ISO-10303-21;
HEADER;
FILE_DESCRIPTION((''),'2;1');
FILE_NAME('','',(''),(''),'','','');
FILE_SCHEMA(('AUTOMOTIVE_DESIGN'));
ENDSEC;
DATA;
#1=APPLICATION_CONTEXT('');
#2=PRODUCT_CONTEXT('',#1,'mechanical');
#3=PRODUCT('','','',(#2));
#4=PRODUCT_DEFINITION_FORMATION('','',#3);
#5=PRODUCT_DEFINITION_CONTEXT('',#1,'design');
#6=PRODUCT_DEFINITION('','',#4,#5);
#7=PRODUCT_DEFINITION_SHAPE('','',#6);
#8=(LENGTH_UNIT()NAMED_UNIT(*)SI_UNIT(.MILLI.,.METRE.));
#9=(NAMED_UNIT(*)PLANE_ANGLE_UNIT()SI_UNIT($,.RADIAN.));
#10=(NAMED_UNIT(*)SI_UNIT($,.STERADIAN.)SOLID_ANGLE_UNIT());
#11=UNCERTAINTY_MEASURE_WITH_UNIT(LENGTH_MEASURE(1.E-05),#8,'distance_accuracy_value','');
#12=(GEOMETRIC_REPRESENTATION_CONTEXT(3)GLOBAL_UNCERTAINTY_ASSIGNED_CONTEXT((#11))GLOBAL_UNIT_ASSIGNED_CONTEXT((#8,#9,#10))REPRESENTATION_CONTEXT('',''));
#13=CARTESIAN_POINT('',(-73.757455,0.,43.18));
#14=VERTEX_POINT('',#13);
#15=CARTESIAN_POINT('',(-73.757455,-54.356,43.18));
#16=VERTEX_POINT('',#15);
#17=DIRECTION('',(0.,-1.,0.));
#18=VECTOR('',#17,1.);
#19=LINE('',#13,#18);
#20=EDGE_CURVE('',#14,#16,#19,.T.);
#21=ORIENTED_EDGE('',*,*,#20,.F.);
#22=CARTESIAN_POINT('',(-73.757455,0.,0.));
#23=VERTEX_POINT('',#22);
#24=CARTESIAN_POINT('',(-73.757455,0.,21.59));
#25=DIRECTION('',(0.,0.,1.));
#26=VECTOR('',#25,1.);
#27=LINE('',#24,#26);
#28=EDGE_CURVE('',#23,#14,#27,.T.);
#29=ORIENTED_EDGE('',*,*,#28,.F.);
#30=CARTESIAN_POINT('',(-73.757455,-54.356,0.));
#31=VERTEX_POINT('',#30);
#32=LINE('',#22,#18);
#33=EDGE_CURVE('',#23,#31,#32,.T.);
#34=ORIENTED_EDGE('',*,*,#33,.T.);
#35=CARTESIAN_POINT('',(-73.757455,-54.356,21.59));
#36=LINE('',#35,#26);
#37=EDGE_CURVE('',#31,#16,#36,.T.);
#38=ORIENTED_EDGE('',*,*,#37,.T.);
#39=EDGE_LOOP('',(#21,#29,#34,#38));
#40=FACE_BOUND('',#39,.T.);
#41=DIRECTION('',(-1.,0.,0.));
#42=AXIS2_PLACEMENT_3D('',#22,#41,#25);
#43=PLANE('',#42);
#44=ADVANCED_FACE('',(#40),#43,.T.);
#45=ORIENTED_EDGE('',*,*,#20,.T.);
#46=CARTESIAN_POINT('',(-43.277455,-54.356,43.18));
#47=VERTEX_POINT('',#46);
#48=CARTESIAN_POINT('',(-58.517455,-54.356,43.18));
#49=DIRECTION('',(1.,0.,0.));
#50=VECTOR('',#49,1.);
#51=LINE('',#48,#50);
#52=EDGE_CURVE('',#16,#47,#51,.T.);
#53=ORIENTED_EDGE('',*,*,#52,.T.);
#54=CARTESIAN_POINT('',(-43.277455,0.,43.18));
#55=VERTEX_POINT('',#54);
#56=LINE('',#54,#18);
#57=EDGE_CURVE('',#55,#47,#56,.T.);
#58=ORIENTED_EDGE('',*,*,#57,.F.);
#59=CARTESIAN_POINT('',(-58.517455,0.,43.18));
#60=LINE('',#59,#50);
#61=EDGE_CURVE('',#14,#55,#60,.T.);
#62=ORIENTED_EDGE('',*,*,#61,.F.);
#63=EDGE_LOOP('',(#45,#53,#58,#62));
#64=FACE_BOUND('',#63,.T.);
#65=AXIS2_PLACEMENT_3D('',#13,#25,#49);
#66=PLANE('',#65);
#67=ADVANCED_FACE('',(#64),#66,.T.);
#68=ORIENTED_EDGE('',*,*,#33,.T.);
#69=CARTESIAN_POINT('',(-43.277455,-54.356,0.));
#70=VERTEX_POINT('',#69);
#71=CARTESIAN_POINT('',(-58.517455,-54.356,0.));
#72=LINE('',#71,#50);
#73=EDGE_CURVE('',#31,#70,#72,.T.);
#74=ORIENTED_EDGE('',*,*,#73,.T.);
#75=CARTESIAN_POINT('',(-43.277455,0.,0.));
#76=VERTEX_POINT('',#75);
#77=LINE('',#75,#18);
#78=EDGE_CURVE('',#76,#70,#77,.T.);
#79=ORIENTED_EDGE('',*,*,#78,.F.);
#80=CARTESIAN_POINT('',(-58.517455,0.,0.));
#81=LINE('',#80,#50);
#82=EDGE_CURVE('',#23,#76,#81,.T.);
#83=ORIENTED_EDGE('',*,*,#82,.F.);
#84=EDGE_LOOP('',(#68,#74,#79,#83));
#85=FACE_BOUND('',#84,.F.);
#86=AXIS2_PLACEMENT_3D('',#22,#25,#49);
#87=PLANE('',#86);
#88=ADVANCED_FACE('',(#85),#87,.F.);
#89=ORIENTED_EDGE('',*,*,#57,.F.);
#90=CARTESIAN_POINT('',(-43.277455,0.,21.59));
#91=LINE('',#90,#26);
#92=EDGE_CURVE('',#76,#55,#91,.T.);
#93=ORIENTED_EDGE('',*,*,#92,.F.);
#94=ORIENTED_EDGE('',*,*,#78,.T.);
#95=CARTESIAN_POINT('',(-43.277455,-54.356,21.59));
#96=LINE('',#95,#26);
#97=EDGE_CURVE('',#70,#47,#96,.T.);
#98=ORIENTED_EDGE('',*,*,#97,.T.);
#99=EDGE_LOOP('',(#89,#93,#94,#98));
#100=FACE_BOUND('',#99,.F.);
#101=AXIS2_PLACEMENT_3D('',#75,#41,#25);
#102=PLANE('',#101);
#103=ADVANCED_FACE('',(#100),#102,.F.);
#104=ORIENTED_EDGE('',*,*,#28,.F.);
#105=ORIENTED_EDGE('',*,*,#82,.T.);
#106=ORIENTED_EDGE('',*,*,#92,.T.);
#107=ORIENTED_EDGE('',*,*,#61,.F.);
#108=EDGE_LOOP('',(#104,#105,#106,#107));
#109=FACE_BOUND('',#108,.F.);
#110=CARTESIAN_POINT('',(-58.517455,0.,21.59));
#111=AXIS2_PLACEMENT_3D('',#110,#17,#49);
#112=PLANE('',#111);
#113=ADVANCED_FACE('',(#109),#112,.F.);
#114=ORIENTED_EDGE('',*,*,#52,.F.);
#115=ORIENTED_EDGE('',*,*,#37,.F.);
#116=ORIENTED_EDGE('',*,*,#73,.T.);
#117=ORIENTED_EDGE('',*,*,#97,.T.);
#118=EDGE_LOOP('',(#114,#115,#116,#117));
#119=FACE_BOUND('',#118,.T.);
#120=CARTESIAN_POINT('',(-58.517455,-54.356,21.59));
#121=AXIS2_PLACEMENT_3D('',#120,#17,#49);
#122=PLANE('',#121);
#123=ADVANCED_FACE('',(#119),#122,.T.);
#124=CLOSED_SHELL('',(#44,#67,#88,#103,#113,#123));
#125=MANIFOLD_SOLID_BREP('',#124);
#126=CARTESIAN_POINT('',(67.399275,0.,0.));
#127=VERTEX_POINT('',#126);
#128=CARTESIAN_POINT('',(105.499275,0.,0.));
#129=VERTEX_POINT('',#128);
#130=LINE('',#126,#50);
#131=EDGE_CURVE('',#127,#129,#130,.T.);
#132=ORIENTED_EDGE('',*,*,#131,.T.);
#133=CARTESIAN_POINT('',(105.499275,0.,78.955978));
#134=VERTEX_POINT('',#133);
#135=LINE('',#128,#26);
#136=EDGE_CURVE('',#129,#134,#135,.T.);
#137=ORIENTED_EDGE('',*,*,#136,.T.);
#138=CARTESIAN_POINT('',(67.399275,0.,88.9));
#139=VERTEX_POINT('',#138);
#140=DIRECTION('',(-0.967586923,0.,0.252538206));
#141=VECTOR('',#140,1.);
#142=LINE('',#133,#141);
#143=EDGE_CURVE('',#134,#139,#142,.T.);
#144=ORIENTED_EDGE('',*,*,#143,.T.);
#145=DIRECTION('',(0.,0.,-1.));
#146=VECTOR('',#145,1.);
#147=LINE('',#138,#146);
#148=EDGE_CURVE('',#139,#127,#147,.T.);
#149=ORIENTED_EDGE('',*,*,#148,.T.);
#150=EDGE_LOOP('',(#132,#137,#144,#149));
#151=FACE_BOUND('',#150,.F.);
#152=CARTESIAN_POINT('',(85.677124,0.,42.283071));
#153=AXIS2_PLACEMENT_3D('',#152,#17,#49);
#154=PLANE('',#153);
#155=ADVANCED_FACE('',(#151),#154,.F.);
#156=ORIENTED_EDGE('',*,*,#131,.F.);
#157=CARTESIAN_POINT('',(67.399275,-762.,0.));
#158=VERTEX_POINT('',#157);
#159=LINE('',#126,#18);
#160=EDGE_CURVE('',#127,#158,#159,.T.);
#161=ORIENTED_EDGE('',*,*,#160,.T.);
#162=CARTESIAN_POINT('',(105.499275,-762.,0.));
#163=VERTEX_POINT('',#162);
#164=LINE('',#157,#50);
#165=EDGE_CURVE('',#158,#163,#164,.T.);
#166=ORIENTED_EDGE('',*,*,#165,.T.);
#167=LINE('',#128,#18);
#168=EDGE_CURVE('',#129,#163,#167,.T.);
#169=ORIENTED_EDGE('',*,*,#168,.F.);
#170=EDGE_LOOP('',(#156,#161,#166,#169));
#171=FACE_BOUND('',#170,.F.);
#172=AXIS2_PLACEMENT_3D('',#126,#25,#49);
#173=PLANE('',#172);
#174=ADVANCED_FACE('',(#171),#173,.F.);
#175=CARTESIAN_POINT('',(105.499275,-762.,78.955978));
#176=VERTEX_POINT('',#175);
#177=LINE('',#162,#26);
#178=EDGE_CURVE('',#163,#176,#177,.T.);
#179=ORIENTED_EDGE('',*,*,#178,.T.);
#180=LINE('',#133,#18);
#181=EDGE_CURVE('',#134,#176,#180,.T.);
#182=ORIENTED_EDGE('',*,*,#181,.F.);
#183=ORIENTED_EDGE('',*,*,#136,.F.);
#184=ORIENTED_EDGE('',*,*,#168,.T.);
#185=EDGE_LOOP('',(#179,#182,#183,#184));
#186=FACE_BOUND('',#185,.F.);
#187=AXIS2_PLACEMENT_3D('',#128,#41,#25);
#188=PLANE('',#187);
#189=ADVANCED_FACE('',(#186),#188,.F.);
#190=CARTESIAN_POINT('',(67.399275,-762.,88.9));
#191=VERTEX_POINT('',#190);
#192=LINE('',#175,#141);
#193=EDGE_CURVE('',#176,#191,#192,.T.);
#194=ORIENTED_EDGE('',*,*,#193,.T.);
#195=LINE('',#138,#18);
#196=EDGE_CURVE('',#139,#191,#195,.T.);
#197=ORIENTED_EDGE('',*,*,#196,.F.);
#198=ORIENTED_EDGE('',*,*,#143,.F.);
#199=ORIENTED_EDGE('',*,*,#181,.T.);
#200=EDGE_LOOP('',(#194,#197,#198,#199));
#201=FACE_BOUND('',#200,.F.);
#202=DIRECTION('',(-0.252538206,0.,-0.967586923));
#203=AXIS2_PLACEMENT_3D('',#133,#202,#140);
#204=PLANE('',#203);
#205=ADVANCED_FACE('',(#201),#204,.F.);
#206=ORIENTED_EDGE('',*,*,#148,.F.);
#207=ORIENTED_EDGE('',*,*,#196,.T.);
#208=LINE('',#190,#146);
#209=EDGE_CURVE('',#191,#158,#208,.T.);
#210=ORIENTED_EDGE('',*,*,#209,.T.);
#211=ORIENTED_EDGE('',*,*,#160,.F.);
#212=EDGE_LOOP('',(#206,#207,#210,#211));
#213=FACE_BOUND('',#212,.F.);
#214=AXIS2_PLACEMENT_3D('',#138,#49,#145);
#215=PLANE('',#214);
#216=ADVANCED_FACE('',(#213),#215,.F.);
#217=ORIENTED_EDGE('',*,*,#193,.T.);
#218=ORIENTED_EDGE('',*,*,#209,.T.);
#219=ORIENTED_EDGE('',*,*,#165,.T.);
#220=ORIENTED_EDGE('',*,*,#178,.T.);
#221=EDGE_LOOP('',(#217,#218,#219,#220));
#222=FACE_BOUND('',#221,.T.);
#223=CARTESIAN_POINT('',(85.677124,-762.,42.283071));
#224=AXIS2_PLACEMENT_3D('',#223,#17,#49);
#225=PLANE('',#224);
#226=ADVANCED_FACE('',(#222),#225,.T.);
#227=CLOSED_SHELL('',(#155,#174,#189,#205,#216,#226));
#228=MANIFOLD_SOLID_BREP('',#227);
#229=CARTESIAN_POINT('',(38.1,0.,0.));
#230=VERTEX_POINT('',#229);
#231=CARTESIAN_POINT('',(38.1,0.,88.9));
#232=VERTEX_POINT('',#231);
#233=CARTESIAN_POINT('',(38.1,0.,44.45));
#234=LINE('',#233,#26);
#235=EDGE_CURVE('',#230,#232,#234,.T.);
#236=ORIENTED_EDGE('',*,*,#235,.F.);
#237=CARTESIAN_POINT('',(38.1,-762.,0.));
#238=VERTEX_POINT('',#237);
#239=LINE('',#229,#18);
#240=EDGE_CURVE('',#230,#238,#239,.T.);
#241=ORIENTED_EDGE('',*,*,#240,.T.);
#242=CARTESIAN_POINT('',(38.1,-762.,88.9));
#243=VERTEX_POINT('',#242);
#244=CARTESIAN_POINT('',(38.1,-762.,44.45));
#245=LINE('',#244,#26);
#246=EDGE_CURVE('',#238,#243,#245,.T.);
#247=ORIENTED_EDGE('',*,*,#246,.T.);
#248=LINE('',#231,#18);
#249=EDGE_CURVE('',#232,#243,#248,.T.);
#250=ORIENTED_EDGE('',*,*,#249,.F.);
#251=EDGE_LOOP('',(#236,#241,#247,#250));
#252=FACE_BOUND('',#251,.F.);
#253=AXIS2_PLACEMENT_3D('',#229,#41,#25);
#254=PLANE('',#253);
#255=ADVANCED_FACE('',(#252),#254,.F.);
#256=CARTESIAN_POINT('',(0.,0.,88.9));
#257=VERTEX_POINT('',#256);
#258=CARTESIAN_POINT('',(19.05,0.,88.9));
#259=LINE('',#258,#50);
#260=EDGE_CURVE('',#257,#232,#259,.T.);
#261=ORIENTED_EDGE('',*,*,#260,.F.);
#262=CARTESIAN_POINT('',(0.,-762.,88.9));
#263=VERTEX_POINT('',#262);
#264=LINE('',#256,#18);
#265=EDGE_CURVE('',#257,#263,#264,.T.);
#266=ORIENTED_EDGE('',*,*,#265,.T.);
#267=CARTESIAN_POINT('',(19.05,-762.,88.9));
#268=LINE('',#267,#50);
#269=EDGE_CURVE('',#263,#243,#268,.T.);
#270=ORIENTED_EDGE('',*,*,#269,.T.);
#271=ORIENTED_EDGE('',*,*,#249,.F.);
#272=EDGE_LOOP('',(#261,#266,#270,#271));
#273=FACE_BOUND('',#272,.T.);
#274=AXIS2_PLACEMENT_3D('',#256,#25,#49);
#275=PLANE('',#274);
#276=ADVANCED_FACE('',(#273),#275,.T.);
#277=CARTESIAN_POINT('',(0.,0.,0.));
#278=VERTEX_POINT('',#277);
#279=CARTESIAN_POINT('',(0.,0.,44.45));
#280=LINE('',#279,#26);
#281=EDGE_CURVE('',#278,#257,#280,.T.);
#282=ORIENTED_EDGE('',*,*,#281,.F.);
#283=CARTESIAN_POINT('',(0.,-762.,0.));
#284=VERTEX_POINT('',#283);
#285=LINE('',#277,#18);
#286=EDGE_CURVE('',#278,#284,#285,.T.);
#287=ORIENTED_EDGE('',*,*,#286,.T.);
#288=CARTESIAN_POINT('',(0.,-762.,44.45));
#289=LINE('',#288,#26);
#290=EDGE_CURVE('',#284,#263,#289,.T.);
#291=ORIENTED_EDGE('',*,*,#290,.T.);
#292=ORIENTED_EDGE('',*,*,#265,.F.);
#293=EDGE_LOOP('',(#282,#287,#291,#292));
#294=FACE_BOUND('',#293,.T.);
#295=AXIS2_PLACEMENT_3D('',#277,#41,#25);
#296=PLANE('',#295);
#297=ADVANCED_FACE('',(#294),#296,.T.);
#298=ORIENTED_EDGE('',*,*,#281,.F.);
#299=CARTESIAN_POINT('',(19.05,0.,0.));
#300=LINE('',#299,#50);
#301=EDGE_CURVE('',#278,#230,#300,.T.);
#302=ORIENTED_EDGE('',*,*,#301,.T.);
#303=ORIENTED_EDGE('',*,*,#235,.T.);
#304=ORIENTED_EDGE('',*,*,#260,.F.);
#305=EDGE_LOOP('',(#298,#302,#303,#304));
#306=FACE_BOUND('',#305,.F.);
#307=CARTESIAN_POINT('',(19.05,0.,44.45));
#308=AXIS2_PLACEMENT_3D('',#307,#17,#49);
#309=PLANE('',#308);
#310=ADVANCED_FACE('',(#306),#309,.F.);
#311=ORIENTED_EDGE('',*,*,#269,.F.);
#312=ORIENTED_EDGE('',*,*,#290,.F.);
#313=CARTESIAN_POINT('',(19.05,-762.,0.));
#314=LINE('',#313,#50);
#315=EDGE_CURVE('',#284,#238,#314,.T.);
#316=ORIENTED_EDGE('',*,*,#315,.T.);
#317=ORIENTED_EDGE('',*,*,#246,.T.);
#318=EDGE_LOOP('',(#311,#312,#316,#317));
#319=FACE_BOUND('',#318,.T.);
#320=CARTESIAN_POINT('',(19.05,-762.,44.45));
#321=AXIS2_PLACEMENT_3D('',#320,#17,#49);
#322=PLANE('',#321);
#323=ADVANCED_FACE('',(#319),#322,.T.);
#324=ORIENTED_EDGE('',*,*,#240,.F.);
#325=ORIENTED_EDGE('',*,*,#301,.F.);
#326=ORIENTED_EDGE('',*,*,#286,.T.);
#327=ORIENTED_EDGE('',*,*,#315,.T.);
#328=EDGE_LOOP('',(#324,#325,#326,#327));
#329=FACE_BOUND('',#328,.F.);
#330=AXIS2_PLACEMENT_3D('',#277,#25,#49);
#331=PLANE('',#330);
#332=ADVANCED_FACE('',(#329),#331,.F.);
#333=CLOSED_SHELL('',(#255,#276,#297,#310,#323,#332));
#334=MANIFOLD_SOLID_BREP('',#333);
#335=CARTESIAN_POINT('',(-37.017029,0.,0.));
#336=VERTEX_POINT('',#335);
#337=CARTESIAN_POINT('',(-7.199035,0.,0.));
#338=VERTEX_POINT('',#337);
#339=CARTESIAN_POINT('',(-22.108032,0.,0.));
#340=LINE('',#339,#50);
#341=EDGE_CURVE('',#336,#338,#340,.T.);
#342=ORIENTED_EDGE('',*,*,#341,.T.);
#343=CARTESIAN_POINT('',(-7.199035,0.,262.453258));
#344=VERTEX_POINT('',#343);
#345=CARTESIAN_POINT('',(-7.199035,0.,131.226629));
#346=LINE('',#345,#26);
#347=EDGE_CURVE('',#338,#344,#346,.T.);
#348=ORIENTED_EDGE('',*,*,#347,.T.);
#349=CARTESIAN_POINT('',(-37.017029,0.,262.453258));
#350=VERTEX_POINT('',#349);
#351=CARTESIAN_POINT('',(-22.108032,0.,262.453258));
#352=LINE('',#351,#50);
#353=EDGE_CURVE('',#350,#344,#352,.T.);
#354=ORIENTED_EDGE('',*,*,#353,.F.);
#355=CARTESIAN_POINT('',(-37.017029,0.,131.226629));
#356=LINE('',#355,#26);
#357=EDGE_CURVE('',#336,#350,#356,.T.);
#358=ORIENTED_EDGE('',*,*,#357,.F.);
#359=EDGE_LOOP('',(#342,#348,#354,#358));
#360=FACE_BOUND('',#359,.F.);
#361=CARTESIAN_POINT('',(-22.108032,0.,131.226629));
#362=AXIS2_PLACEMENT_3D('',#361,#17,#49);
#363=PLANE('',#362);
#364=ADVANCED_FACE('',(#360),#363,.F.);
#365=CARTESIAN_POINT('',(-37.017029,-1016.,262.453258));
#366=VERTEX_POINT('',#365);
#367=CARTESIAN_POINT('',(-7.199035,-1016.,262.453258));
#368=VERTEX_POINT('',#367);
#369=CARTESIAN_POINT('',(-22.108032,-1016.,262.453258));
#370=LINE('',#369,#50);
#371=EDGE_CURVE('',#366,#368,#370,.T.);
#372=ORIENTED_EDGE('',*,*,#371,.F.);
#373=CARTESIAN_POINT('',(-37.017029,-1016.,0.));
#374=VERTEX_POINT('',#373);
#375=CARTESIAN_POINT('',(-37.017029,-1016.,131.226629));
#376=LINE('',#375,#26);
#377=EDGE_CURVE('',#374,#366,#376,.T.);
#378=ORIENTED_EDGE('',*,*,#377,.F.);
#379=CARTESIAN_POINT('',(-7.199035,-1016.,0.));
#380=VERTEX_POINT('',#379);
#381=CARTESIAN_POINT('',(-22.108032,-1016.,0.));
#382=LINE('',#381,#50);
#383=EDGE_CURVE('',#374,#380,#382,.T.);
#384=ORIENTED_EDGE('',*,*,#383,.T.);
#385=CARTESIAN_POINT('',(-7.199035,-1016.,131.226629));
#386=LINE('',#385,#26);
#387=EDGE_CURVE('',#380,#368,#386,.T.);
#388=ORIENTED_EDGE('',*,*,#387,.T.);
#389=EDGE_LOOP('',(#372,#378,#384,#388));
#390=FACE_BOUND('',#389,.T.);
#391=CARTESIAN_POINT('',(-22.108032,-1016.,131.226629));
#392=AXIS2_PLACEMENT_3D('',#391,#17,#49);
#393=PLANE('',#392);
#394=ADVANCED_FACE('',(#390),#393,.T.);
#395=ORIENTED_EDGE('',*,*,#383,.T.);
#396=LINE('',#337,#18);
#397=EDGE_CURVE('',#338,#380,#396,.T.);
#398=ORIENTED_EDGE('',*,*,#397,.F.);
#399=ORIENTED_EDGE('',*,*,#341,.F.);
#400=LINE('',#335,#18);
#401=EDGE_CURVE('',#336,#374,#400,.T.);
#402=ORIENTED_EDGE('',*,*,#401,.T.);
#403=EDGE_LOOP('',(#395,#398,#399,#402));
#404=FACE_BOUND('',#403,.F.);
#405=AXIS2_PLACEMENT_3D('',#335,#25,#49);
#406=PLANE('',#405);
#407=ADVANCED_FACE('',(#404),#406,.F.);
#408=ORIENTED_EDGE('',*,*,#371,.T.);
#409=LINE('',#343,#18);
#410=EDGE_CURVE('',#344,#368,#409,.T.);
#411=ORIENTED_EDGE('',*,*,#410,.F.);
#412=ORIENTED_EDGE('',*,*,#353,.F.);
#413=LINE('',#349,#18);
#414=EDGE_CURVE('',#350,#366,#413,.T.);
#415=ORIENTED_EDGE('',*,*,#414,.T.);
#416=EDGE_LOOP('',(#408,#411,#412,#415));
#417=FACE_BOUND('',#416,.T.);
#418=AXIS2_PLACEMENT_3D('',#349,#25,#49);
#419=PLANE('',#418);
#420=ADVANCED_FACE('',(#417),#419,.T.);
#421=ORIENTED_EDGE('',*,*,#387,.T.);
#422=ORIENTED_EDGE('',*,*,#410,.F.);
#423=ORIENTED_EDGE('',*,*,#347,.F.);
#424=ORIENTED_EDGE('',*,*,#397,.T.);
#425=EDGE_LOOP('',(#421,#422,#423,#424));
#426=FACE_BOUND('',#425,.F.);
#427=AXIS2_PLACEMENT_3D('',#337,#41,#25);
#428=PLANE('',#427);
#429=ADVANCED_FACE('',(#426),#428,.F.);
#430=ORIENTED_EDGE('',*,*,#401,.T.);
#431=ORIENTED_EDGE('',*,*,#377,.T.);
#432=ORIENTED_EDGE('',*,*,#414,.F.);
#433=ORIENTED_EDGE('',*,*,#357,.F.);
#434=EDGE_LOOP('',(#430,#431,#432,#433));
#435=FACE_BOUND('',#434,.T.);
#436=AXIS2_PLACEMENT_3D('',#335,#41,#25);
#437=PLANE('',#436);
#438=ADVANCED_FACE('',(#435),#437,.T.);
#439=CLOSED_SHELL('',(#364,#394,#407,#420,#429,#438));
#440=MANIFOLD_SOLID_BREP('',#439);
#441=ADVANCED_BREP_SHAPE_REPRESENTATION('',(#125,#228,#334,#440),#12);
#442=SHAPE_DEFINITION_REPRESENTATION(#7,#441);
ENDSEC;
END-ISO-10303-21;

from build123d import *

# Parameters (mm, degrees)
F0_W     = 38.1
F0_H     = 88.9
F1_DEPTH = 762
F2_W     = 30.48
F2_H     = 43.18
F3_DEPTH = 54.356
F5_DEPTH = 762
F6_W     = 29.817994
F6_H     = 262.453258
F7_DEPTH = 1016


with BuildPart() as f1:
    # F0 (on Front) → F1 (new body)
    with BuildSketch(Plane.XZ):
        with Locations((19.05, 44.45)):
            Rectangle(F0_W, F0_H)
    extrude(amount=F1_DEPTH)


with BuildPart() as f3:
    # F2 (on Front) → F3 (new body)
    with BuildSketch(Plane.XZ):
        with Locations((-58.517455, 21.59)):
            Rectangle(F2_W, F2_H)
    extrude(amount=F3_DEPTH)


with BuildPart() as f5:
    # F4 (on Front) → F5 (new body)
    with BuildSketch(Plane.XZ):
        Polygon((67.399275, 88.9), (67.399275, 0), (105.499275, 0), (105.499275, 78.955978), align=None)
    extrude(amount=F5_DEPTH)


with BuildPart() as f7:
    # F6 (on Front) → F7 (new body)
    with BuildSketch(Plane.XZ):
        with Locations((-22.108032, 131.226629)):
            Rectangle(F6_W, F6_H)
    extrude(amount=F7_DEPTH)


solid = Compound([f1.part, f3.part, f5.part, f7.part])
